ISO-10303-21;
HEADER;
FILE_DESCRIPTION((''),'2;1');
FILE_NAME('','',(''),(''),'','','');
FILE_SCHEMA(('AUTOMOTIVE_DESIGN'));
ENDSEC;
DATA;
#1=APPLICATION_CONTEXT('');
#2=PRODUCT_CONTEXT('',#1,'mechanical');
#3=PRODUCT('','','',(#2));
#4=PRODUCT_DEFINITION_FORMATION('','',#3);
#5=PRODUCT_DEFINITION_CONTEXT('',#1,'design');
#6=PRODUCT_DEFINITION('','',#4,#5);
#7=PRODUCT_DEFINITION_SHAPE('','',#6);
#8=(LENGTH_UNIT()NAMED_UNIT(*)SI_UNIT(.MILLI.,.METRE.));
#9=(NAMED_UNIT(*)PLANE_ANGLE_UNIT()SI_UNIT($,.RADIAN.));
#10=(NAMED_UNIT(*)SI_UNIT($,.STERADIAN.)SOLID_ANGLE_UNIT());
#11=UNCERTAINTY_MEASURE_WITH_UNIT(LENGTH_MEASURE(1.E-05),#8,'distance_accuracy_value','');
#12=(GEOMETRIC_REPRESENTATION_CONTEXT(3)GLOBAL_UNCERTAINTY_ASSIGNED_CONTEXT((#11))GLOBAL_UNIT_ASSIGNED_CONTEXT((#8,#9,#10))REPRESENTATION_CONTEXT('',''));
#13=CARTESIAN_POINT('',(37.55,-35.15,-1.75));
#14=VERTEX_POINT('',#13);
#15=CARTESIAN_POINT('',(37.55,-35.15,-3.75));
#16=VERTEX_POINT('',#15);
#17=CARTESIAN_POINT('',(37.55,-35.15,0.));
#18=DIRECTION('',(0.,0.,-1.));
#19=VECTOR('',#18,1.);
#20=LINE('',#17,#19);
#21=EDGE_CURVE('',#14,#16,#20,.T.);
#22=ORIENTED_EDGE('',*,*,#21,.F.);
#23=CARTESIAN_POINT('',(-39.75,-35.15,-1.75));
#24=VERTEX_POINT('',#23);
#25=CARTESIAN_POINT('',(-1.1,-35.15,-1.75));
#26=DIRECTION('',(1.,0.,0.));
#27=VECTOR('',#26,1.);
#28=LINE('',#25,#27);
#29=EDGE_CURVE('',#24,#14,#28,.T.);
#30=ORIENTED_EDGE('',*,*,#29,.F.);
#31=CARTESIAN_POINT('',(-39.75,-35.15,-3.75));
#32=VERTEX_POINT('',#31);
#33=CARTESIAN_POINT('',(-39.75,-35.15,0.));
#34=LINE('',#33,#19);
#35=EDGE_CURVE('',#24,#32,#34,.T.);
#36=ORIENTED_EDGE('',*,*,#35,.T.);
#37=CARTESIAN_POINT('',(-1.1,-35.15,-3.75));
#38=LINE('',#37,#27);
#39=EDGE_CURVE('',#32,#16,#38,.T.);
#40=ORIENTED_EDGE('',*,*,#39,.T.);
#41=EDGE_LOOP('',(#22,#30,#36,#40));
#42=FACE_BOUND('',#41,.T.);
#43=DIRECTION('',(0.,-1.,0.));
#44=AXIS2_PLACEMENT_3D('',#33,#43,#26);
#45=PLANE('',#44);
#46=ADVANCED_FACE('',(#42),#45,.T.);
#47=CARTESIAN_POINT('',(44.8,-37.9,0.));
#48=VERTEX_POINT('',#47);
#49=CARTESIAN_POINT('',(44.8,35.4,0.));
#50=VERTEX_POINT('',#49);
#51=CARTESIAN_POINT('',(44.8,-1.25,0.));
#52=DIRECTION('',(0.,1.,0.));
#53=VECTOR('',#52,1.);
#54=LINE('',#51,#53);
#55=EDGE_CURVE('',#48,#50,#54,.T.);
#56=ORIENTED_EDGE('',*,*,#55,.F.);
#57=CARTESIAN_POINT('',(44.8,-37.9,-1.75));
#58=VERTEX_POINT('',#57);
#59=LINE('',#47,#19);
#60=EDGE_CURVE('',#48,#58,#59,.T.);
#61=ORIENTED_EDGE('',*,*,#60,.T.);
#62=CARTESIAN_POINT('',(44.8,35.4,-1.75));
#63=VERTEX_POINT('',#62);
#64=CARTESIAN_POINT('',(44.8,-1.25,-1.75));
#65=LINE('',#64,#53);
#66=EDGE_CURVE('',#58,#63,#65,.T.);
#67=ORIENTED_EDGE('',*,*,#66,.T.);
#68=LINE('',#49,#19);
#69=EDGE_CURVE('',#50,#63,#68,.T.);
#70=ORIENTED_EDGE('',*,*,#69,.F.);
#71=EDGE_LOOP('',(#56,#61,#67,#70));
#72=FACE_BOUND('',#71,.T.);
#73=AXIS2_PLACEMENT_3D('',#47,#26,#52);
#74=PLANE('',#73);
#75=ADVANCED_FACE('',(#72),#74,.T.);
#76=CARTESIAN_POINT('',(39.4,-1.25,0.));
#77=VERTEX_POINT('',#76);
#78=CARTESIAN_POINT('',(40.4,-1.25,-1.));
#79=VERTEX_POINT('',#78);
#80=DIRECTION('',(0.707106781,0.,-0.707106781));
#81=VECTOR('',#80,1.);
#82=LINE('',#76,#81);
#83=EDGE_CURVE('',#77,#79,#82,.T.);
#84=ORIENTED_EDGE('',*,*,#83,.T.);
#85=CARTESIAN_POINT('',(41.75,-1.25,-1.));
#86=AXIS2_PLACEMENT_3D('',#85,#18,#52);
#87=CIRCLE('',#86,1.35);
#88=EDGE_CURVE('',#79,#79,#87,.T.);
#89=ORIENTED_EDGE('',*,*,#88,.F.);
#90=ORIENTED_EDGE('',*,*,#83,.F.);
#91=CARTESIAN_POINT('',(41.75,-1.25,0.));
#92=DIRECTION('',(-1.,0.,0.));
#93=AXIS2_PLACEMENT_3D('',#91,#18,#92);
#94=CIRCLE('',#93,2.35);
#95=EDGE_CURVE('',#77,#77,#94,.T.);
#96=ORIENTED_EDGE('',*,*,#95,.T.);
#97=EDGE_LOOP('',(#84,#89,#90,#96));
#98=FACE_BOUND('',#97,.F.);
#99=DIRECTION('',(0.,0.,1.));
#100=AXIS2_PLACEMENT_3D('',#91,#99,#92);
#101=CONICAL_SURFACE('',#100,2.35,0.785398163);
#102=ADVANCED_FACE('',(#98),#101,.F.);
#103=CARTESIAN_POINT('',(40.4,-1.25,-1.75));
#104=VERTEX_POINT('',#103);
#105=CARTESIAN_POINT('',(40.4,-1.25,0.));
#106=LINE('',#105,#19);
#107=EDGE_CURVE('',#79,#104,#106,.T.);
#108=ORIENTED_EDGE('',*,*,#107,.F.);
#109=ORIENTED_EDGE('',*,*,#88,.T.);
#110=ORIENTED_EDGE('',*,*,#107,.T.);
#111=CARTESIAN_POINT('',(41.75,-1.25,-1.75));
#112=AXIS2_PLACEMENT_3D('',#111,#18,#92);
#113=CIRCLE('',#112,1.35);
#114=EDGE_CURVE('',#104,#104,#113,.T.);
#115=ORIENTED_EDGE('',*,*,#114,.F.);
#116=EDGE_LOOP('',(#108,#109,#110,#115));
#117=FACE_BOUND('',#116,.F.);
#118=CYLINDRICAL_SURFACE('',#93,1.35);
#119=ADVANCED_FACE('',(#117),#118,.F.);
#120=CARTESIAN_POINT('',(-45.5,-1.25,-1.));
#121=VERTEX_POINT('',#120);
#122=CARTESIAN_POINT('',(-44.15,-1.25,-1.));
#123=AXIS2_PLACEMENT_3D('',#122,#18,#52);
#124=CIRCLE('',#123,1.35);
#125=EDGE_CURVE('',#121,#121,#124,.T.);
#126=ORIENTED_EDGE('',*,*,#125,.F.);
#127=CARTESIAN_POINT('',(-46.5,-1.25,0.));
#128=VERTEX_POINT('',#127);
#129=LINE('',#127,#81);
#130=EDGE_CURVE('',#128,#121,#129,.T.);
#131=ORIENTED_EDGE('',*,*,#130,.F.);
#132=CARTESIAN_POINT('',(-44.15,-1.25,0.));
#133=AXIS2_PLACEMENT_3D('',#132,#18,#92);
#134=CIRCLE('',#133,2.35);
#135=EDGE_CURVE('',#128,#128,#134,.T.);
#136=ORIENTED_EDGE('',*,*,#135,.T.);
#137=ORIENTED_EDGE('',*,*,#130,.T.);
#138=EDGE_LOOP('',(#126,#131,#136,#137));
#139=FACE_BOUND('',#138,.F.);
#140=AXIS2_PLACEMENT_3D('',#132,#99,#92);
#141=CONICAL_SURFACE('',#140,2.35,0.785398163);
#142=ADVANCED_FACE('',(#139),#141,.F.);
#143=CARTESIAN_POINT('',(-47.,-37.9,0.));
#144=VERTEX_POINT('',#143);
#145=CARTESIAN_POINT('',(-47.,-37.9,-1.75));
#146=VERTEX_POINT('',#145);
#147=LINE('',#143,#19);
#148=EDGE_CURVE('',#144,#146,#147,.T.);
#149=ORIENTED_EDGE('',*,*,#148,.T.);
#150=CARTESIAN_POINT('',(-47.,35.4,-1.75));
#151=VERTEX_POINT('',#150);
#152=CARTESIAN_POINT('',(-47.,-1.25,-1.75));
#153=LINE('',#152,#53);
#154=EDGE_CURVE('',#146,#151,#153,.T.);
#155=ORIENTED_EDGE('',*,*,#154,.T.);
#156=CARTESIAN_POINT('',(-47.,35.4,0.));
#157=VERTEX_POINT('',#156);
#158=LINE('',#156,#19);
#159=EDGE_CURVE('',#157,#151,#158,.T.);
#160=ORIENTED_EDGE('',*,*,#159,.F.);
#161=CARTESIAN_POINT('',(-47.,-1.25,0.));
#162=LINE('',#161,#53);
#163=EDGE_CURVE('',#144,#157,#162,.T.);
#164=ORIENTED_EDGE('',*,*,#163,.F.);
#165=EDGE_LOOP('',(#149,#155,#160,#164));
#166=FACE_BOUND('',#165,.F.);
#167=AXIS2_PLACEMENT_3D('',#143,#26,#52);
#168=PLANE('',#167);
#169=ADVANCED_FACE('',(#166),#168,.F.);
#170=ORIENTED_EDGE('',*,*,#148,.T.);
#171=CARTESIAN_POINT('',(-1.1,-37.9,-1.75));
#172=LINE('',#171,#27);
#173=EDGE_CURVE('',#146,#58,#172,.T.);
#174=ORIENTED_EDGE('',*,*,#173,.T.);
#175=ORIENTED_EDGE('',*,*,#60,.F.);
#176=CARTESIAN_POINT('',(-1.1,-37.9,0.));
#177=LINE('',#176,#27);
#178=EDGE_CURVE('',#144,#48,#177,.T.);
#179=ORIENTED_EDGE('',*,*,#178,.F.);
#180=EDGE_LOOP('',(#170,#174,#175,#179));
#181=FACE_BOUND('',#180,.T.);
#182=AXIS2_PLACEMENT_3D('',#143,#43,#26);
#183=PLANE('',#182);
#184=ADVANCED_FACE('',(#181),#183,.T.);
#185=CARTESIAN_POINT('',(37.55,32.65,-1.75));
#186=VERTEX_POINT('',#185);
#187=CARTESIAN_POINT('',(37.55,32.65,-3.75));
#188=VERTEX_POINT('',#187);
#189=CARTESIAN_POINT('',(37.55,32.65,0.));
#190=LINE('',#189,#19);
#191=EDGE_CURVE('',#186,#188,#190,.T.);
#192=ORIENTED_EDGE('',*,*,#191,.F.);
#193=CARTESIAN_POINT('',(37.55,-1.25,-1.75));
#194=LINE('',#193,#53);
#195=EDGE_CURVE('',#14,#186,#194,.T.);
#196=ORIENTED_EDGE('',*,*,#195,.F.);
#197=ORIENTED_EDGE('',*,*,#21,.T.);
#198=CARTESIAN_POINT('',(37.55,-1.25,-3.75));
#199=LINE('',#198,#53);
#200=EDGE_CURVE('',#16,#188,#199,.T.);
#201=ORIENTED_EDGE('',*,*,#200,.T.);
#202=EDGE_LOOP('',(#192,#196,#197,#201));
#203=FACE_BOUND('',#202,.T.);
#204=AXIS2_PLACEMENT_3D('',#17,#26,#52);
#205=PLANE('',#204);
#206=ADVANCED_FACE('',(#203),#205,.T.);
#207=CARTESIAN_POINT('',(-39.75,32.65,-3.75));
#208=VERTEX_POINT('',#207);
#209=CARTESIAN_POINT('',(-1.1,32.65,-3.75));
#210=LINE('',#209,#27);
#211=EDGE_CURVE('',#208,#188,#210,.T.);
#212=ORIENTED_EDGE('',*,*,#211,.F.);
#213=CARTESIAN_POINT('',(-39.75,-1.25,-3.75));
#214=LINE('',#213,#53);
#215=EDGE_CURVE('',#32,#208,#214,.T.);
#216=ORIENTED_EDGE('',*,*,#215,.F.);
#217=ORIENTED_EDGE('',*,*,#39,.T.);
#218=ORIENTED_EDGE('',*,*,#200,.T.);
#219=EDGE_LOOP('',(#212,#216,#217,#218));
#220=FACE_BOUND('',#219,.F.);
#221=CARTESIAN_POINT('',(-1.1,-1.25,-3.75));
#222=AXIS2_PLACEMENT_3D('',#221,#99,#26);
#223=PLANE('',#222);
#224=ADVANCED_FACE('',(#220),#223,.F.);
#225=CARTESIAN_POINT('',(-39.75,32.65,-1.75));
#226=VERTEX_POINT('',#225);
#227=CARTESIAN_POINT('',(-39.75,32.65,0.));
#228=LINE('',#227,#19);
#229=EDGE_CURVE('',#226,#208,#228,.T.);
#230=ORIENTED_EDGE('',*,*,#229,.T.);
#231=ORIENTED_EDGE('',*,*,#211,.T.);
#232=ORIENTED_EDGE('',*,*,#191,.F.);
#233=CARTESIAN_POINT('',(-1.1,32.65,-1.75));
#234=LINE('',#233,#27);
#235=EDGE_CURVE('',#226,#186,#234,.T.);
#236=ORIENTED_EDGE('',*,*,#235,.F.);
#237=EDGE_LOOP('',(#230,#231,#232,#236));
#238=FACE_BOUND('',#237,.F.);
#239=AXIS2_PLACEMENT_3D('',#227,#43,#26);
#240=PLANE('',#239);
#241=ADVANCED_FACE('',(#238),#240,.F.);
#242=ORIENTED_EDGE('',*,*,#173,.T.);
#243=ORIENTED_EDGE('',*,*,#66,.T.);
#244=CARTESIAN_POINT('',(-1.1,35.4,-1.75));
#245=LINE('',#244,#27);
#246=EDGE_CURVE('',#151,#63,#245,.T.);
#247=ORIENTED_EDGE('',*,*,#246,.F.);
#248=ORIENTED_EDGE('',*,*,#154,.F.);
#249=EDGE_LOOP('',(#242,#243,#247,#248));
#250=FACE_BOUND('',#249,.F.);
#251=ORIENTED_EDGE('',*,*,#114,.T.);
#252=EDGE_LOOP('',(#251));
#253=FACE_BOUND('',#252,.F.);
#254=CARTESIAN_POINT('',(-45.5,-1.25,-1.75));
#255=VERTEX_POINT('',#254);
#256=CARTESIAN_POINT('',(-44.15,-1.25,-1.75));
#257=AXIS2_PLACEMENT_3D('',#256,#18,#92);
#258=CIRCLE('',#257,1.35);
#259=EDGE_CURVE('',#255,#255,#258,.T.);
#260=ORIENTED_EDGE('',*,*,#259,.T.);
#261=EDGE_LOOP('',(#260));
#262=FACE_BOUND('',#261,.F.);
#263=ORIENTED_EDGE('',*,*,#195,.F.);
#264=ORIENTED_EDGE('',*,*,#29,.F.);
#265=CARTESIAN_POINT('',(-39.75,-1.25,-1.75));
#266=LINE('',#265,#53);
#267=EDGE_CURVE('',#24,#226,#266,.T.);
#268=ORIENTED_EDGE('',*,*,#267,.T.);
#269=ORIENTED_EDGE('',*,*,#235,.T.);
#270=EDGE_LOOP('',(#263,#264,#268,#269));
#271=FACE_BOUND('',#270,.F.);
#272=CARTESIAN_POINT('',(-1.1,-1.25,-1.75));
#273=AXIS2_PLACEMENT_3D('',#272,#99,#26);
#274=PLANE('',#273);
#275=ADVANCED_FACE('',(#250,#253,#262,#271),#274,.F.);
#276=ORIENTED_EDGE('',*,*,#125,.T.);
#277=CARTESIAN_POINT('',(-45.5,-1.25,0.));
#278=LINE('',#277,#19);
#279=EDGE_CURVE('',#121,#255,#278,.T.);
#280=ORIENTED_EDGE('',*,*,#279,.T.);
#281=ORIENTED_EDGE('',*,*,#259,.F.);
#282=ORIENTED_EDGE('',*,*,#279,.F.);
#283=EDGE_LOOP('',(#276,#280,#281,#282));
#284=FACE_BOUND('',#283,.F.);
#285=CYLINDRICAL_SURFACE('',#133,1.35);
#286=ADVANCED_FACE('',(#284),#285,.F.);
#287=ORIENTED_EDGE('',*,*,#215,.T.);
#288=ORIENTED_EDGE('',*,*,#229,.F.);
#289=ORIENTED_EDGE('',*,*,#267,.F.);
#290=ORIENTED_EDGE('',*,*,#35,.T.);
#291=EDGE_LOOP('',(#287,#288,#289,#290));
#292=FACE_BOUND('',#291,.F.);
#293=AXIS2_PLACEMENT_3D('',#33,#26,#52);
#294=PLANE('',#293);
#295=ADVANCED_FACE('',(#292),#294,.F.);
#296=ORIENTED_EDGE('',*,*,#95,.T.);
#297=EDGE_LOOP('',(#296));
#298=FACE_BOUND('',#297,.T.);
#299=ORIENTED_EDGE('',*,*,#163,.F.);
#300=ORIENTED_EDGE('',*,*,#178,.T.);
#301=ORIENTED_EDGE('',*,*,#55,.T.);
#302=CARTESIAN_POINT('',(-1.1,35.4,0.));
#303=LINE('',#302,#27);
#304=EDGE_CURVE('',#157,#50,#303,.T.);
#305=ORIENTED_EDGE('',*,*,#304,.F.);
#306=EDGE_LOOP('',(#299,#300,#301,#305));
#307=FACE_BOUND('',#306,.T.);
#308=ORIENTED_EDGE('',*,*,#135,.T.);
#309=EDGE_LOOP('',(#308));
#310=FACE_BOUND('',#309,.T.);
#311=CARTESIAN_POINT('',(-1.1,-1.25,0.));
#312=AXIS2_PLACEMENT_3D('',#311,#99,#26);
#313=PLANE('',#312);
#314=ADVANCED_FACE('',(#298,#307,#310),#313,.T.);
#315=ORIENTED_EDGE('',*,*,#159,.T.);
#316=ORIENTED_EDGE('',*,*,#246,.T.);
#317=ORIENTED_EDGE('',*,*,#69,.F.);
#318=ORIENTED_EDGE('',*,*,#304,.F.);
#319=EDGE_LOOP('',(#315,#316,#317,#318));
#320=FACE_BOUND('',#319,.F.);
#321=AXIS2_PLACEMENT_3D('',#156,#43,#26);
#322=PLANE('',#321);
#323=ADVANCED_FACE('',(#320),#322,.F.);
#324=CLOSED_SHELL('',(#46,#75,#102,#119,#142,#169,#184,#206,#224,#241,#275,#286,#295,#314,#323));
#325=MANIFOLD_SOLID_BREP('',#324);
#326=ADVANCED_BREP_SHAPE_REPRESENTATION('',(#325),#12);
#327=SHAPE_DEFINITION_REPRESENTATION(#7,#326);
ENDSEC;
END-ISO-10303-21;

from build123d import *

# Parameters (mm, degrees)
F0_W           = 91.8
F0_H           = 73.3
F0_W_2         = 77.3
F0_H_2         = 67.8
F1_DEPTH       = 1.75
F2_DEPTH       = 3.75
F3_D           = 2.7
F3_CSINK_D     = 4.7
F3_CSINK_ANGLE = 90


with BuildPart() as f1:
    # F0 (on Top) → F1 (new body)
    with BuildSketch(Plane.XY):
        with Locations((-1.1, -1.25)):
            Rectangle(F0_W, F0_H)
        with Locations((-1.1, -1.25)):
            Rectangle(F0_W_2, F0_H_2, mode=Mode.SUBTRACT)
    extrude(amount=-F1_DEPTH)

    # F0 (on Top) → F2 (join)
    with BuildSketch(Plane.XY):
        with Locations((-1.1, -1.25)):
            Rectangle(F0_W_2, F0_H_2)
    extrude(amount=-F2_DEPTH)

    # F3 (through all)
    with Locations(Plane.XY):
        with Locations((-44.15, -1.25), (41.75, -1.25)):
            CounterSinkHole(F3_D / 2, F3_CSINK_D / 2, counter_sink_angle=F3_CSINK_ANGLE)


solid = f1.part
